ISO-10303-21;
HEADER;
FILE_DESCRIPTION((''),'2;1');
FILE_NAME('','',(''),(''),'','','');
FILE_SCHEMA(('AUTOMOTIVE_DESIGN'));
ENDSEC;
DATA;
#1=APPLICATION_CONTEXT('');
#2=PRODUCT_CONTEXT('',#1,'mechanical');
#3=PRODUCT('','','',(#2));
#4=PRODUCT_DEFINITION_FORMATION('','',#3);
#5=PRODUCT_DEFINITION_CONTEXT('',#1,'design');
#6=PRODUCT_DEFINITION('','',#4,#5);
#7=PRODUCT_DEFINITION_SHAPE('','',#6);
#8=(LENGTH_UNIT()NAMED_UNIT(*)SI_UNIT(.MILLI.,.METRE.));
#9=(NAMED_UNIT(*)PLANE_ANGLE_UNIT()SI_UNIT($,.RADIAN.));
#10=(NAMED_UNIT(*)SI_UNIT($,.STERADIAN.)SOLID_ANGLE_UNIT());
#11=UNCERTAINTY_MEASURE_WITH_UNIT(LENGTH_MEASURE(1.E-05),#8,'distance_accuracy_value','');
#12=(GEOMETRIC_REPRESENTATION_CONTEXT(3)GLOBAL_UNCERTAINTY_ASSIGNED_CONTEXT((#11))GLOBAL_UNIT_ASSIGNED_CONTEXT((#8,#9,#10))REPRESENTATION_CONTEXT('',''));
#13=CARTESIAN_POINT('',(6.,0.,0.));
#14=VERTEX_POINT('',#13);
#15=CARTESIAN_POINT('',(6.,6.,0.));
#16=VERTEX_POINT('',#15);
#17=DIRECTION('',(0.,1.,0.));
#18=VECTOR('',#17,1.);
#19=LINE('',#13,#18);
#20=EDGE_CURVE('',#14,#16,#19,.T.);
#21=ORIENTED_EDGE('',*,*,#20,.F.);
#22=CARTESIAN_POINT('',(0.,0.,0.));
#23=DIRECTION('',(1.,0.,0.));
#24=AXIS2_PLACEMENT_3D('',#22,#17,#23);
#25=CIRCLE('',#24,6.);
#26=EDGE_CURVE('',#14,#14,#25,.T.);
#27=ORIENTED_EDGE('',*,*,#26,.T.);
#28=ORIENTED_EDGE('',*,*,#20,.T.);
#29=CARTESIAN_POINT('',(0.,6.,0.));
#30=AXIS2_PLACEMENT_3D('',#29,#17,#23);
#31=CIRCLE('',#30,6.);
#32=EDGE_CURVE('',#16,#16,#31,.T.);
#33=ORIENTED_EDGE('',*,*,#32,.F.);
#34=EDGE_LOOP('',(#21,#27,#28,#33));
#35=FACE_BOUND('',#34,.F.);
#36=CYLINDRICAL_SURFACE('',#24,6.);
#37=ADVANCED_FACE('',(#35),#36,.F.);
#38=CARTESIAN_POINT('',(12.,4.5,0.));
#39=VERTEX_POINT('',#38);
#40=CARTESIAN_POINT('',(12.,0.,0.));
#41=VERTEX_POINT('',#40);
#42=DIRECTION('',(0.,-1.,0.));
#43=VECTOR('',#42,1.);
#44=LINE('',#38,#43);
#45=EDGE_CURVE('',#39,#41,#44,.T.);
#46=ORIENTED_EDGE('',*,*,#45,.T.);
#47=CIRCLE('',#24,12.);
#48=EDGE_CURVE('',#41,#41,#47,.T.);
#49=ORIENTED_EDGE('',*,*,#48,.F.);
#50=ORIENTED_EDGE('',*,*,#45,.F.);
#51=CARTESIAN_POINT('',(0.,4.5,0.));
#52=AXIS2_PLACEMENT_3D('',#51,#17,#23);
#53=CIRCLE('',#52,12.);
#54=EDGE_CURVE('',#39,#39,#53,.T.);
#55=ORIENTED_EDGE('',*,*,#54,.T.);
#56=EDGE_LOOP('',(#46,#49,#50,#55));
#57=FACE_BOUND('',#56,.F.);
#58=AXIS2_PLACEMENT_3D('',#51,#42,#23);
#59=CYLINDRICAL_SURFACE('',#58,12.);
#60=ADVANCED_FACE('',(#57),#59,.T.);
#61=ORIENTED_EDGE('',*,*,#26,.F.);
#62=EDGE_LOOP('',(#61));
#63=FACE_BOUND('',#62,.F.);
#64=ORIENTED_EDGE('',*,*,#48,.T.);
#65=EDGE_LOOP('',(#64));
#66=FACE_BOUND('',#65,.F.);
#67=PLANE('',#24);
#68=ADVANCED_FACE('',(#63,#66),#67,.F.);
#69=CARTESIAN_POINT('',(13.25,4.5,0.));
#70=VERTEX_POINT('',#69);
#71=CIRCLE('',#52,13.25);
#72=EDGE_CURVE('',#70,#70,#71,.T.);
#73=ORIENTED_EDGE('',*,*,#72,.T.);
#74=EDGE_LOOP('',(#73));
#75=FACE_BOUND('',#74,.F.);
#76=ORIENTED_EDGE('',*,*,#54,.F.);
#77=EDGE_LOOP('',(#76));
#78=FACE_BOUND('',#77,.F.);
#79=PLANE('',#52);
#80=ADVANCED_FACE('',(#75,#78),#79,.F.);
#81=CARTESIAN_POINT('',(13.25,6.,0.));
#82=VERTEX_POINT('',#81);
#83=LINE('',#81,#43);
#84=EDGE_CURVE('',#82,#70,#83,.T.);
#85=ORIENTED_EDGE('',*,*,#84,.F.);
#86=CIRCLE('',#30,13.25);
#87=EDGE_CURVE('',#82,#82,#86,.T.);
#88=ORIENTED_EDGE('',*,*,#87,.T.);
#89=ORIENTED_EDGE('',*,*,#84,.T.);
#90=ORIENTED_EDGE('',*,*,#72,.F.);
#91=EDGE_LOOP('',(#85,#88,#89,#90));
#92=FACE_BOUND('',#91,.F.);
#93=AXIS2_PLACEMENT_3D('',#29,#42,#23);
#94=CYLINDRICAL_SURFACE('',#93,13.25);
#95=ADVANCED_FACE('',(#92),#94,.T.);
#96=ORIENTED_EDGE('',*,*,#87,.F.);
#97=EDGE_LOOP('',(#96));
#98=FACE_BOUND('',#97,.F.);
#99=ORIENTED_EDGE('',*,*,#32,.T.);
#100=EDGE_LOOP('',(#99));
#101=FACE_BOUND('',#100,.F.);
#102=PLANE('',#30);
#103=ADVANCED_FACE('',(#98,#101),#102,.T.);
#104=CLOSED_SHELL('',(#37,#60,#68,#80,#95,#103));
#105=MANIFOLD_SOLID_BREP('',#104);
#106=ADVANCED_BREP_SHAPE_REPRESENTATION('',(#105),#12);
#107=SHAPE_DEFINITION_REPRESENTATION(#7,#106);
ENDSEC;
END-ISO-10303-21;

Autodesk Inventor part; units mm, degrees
ref_plane "YZ Plane" through (0, 0, 0) normal (1, 0, 0) x (0, 1, 0)
ref_plane "XZ Plane" through (0, 0, 0) normal (0, 1, 0) x (-1, 0, 0)
ref_plane "XY Plane" through (0, 0, 0) normal (0, 0, 1) x (1, 0, 0)
sketch "スケッチ1" plane through (0, 0, 0) normal (0, 0, 1) x (1, 0, 0)
  line L0 (0, 0) -> (6, 0) construction
  line L1 (6, 0) -> (6, 6)
  line L2 (6, 6) -> (13.25, 6)
  line L3 (13.25, 6) -> (13.25, 4.5)
  line L4 (13.25, 4.5) -> (12, 4.5)
  line L5 (12, 4.5) -> (12, 0)
  line L6 (12, 0) -> (6, 0)
  line L7 (0, 0) -> (0, 6) construction
  line L8 (0, 6) -> (6, 6) construction
  dimension "d0" = 6
  dimension "d1" = 12
  dimension "d2" = 1.5
  dimension "d3" = 13.25
  dimension "d4" = 6
revolve "回転1" add sketch "スケッチ1" angle 360 about axis through (0, 0, 0) along (0, 1, 0)
properties part number "ベアリング12x18"
